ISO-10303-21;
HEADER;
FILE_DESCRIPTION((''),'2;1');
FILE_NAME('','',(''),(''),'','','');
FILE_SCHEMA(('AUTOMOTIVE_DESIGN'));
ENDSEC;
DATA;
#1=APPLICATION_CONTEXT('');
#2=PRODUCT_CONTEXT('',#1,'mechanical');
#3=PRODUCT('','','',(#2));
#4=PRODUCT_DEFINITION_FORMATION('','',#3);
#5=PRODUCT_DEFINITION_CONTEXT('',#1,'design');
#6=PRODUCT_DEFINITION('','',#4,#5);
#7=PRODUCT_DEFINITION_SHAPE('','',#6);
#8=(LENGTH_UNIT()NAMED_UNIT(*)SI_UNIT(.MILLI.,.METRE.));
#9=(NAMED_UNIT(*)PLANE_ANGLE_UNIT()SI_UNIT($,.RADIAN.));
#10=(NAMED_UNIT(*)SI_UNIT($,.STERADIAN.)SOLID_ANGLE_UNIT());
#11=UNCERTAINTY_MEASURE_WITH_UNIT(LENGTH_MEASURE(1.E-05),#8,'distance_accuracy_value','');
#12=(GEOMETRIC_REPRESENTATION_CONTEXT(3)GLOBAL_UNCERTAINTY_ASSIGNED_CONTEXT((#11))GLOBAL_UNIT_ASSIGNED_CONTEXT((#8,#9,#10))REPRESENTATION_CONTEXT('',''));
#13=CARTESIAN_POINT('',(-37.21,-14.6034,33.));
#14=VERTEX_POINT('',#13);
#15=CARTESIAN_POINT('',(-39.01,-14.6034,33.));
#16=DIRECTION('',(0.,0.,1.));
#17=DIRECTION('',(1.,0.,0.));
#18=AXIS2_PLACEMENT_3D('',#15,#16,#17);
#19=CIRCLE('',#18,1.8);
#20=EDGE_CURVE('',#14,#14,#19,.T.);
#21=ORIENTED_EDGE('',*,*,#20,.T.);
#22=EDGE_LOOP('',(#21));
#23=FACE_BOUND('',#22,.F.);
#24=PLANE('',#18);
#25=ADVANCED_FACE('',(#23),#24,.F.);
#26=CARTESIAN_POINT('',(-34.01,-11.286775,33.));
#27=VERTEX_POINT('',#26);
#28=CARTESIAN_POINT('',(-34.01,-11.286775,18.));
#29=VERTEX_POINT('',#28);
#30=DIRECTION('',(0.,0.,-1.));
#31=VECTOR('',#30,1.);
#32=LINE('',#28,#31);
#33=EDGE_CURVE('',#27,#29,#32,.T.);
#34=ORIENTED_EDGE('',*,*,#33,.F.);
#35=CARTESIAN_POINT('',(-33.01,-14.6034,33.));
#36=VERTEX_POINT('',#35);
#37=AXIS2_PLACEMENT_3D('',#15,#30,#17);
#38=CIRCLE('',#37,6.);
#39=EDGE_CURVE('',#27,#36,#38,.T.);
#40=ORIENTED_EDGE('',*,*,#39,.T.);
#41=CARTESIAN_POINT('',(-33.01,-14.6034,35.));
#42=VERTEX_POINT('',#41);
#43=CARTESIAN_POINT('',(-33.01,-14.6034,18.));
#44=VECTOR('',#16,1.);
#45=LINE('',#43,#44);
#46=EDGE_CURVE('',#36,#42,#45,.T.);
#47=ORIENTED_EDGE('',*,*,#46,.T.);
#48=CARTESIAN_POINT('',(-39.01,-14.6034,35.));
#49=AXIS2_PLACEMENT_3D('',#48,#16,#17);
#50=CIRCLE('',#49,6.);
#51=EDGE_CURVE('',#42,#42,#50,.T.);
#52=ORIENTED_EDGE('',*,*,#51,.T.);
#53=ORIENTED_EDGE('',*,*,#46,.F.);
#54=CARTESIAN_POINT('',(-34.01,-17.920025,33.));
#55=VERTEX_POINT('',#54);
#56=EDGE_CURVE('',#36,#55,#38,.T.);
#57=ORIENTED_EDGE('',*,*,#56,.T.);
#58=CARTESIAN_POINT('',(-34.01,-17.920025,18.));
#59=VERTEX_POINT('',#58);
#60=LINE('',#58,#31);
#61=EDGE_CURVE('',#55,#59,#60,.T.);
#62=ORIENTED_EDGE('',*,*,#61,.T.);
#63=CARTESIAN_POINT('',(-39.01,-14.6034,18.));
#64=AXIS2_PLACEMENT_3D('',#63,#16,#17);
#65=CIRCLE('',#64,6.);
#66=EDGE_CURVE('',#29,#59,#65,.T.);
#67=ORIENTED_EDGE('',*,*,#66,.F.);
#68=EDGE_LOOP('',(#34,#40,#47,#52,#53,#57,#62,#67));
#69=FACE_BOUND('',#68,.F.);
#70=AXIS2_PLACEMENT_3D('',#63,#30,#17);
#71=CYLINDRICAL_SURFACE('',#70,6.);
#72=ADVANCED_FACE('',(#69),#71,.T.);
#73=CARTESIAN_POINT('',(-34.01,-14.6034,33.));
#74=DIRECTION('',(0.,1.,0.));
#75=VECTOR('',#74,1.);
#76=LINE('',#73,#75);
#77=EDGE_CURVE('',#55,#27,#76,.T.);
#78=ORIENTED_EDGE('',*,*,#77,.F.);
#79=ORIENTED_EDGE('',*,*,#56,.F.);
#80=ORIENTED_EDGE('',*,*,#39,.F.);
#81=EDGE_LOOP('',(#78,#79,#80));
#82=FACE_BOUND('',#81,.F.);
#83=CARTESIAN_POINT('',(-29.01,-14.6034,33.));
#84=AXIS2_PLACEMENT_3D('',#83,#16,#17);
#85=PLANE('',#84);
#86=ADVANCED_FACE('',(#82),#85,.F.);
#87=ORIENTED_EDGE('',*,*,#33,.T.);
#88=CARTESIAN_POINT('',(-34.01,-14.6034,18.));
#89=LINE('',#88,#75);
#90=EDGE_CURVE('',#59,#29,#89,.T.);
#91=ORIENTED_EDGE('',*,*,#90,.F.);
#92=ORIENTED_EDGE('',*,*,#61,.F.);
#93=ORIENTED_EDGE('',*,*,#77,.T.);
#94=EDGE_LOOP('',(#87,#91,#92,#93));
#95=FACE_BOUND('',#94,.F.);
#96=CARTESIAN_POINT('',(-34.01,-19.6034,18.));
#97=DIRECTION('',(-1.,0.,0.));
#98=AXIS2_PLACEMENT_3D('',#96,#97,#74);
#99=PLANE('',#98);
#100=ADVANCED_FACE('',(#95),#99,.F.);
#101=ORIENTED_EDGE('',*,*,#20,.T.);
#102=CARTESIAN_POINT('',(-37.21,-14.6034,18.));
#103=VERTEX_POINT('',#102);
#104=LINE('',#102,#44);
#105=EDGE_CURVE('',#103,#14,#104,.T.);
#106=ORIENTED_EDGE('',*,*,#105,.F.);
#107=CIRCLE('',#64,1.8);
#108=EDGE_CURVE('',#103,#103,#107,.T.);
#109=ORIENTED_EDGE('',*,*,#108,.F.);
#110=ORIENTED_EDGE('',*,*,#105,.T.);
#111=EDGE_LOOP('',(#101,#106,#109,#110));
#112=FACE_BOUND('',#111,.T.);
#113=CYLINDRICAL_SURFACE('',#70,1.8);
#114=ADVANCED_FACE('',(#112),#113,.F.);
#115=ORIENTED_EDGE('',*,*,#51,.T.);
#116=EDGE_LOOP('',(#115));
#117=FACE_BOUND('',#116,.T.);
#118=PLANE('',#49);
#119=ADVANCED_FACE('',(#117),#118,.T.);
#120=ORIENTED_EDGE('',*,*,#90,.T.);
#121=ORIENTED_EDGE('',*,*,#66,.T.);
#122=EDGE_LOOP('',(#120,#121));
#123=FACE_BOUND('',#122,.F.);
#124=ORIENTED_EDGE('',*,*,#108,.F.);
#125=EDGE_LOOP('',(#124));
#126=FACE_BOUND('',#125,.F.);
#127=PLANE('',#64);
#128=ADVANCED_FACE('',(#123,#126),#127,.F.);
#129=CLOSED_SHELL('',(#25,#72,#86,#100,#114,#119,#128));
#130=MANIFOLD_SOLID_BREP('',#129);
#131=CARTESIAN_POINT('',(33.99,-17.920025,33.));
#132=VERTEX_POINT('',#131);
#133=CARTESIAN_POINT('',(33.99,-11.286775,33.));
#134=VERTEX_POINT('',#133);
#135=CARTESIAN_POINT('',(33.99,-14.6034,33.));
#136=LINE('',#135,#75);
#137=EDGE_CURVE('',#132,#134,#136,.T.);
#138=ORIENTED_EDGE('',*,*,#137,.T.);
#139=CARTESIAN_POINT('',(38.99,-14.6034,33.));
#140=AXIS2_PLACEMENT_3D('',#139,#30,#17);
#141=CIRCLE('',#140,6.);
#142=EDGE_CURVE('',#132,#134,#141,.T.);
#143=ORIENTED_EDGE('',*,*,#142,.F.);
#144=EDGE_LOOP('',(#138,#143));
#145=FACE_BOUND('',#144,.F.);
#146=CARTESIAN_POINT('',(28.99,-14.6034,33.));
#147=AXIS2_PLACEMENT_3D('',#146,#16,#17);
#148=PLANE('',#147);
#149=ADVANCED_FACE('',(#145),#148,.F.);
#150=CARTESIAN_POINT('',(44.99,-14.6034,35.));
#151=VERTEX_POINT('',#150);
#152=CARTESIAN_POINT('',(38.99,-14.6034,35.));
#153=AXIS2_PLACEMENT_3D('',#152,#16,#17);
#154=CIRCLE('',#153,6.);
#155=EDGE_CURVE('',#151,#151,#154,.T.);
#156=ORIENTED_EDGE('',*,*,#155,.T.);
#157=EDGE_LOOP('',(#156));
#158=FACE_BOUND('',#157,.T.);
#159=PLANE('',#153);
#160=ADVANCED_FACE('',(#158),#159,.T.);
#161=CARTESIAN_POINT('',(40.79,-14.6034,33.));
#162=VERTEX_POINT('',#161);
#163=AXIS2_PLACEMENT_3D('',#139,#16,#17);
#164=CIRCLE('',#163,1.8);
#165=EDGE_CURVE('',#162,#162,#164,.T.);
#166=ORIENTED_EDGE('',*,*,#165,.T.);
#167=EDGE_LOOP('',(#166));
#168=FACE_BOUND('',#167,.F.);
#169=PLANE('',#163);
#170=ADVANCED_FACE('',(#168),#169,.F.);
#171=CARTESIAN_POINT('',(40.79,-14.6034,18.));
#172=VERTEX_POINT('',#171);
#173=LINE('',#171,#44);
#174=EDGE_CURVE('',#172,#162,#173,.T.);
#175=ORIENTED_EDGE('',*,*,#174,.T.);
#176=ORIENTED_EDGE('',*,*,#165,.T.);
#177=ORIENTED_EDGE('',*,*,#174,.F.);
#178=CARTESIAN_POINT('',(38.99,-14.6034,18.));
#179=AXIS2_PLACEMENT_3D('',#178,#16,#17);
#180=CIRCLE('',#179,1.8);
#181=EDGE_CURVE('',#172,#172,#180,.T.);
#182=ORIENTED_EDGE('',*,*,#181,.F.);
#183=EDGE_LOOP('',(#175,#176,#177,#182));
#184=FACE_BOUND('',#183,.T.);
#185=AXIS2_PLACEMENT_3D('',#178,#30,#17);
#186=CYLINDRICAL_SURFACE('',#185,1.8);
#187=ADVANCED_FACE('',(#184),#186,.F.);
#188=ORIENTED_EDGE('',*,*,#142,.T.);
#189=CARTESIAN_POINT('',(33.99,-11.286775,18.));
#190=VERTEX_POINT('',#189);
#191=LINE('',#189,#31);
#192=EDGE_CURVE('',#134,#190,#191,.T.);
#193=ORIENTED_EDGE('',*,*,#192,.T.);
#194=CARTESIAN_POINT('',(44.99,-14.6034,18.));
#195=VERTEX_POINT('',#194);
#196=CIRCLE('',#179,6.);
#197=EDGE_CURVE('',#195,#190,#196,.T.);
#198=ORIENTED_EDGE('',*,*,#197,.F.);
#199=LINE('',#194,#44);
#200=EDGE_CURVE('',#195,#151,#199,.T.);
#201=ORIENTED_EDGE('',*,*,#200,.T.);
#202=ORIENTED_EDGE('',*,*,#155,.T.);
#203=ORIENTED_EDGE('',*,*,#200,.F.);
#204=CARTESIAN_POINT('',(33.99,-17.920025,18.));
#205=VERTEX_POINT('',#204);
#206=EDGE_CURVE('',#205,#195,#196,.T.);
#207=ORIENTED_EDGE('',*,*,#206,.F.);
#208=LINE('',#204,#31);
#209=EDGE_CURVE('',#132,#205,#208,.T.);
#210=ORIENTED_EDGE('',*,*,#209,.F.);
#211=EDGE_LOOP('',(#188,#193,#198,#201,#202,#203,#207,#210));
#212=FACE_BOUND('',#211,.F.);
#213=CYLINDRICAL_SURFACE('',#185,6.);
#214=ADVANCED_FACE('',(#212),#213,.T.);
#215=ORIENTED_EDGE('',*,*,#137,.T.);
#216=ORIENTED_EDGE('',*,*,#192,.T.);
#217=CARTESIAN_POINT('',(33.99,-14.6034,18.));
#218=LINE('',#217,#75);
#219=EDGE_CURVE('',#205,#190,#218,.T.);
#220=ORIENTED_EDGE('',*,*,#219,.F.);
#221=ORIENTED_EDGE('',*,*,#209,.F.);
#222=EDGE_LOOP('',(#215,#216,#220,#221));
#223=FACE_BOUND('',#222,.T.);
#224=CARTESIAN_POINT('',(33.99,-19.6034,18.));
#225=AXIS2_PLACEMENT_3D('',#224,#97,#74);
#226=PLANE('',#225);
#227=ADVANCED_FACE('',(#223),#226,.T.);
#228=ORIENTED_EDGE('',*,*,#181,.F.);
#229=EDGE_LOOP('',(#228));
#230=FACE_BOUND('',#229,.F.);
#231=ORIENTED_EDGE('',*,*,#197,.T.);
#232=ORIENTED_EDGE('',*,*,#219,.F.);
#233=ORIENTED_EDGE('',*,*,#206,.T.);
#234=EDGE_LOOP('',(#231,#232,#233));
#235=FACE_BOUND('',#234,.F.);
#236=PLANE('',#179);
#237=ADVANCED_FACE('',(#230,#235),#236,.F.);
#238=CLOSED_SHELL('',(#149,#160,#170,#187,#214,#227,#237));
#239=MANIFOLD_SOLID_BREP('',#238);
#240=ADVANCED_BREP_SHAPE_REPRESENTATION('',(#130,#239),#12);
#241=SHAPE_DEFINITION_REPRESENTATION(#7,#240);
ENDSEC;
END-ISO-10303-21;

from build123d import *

# Parameters (mm, degrees)
BOX014_W          = 10
BOX014_H          = 10
BOX014_DEPTH      = 15
CYLINDER022_R     = 1.8
CYLINDER022_DEPTH = 15
CYLINDER021_R     = 6
CYLINDER021_DEPTH = 17
BOX012_W          = 5
BOX012_H          = 5
BOX012_DEPTH      = 17
BOX013_W          = 10
BOX013_H          = 10
BOX013_DEPTH      = 15
CYLINDER016_R     = 1.8
CYLINDER016_DEPTH = 15
CYLINDER017_R     = 6
CYLINDER017_DEPTH = 17
BOX011_W          = 5
BOX011_H          = 5
BOX011_DEPTH      = 17


with BuildPart() as kostka014:
    # Box014 → Box014 (new body)
    with BuildSketch(Plane(origin=(23.99, -19.6034, 18), x_dir=(1, 0, 0), z_dir=(0, 0, 1))):
        with Locations((5, 5)):
            Rectangle(BOX014_W, BOX014_H)
    extrude(amount=BOX014_DEPTH)


with BuildPart() as cylinder022:
    # Cylinder022 → Cylinder022 (new body)
    with BuildSketch(Plane(origin=(38.99, -14.6034, 18), x_dir=(1, 0, 0), z_dir=(0, 0, 1))):
        Circle(CYLINDER022_R)
    extrude(amount=CYLINDER022_DEPTH)


with BuildPart() as cylinder021:
    # Cylinder021 → Cylinder021 (new body)
    with BuildSketch(Plane(origin=(38.99, -14.6034, 18), x_dir=(1, 0, 0), z_dir=(0, 0, 1))):
        Circle(CYLINDER021_R)
    extrude(amount=CYLINDER021_DEPTH)


with BuildPart() as cut019:
    # Box012 → Box012 (new body)
    with BuildSketch(Plane(origin=(34.0681, -17.1, 18), x_dir=(1, 0, 0), z_dir=(0, 0, 1))):
        with Locations((2.5, 2.5)):
            Rectangle(BOX012_W, BOX012_H)
    extrude(amount=BOX012_DEPTH)

    # Fusion015: union Cylinder021
    add(cylinder021.part)

    # Cut017: cut Cylinder022
    add(cylinder022.part, mode=Mode.SUBTRACT)

    # Cut019: cut Kostka014
    add(kostka014.part, mode=Mode.SUBTRACT)


with BuildPart() as kostka013:
    # Box013 → Box013 (new body)
    with BuildSketch(Plane(origin=(-34.01, -19.6034, 18), x_dir=(1, 0, 0), z_dir=(0, 0, 1))):
        with Locations((5, 5)):
            Rectangle(BOX013_W, BOX013_H)
    extrude(amount=BOX013_DEPTH)


with BuildPart() as cylinder016:
    # Cylinder016 → Cylinder016 (new body)
    with BuildSketch(Plane(origin=(-39.01, -14.6034, 18), x_dir=(1, 0, 0), z_dir=(0, 0, 1))):
        Circle(CYLINDER016_R)
    extrude(amount=CYLINDER016_DEPTH)


with BuildPart() as cylinder017:
    # Cylinder017 → Cylinder017 (new body)
    with BuildSketch(Plane(origin=(-39.01, -14.6034, 18), x_dir=(1, 0, 0), z_dir=(0, 0, 1))):
        Circle(CYLINDER017_R)
    extrude(amount=CYLINDER017_DEPTH)


with BuildPart() as cover_mount:
    # Box011 → Box011 (new body)
    with BuildSketch(Plane(origin=(-39.01, -17.1034, 18), x_dir=(1, 0, 0), z_dir=(0, 0, 1))):
        with Locations((2.5, 2.5)):
            Rectangle(BOX011_W, BOX011_H)
    extrude(amount=BOX011_DEPTH)

    # Fusion014: union Cylinder017
    add(cylinder017.part)

    # Cut016: cut Cylinder016
    add(cylinder016.part, mode=Mode.SUBTRACT)

    # Cut018: cut Kostka013
    add(kostka013.part, mode=Mode.SUBTRACT)

    # Fusion016: union Cut019
    add(cut019.part)


solid = cover_mount.part
